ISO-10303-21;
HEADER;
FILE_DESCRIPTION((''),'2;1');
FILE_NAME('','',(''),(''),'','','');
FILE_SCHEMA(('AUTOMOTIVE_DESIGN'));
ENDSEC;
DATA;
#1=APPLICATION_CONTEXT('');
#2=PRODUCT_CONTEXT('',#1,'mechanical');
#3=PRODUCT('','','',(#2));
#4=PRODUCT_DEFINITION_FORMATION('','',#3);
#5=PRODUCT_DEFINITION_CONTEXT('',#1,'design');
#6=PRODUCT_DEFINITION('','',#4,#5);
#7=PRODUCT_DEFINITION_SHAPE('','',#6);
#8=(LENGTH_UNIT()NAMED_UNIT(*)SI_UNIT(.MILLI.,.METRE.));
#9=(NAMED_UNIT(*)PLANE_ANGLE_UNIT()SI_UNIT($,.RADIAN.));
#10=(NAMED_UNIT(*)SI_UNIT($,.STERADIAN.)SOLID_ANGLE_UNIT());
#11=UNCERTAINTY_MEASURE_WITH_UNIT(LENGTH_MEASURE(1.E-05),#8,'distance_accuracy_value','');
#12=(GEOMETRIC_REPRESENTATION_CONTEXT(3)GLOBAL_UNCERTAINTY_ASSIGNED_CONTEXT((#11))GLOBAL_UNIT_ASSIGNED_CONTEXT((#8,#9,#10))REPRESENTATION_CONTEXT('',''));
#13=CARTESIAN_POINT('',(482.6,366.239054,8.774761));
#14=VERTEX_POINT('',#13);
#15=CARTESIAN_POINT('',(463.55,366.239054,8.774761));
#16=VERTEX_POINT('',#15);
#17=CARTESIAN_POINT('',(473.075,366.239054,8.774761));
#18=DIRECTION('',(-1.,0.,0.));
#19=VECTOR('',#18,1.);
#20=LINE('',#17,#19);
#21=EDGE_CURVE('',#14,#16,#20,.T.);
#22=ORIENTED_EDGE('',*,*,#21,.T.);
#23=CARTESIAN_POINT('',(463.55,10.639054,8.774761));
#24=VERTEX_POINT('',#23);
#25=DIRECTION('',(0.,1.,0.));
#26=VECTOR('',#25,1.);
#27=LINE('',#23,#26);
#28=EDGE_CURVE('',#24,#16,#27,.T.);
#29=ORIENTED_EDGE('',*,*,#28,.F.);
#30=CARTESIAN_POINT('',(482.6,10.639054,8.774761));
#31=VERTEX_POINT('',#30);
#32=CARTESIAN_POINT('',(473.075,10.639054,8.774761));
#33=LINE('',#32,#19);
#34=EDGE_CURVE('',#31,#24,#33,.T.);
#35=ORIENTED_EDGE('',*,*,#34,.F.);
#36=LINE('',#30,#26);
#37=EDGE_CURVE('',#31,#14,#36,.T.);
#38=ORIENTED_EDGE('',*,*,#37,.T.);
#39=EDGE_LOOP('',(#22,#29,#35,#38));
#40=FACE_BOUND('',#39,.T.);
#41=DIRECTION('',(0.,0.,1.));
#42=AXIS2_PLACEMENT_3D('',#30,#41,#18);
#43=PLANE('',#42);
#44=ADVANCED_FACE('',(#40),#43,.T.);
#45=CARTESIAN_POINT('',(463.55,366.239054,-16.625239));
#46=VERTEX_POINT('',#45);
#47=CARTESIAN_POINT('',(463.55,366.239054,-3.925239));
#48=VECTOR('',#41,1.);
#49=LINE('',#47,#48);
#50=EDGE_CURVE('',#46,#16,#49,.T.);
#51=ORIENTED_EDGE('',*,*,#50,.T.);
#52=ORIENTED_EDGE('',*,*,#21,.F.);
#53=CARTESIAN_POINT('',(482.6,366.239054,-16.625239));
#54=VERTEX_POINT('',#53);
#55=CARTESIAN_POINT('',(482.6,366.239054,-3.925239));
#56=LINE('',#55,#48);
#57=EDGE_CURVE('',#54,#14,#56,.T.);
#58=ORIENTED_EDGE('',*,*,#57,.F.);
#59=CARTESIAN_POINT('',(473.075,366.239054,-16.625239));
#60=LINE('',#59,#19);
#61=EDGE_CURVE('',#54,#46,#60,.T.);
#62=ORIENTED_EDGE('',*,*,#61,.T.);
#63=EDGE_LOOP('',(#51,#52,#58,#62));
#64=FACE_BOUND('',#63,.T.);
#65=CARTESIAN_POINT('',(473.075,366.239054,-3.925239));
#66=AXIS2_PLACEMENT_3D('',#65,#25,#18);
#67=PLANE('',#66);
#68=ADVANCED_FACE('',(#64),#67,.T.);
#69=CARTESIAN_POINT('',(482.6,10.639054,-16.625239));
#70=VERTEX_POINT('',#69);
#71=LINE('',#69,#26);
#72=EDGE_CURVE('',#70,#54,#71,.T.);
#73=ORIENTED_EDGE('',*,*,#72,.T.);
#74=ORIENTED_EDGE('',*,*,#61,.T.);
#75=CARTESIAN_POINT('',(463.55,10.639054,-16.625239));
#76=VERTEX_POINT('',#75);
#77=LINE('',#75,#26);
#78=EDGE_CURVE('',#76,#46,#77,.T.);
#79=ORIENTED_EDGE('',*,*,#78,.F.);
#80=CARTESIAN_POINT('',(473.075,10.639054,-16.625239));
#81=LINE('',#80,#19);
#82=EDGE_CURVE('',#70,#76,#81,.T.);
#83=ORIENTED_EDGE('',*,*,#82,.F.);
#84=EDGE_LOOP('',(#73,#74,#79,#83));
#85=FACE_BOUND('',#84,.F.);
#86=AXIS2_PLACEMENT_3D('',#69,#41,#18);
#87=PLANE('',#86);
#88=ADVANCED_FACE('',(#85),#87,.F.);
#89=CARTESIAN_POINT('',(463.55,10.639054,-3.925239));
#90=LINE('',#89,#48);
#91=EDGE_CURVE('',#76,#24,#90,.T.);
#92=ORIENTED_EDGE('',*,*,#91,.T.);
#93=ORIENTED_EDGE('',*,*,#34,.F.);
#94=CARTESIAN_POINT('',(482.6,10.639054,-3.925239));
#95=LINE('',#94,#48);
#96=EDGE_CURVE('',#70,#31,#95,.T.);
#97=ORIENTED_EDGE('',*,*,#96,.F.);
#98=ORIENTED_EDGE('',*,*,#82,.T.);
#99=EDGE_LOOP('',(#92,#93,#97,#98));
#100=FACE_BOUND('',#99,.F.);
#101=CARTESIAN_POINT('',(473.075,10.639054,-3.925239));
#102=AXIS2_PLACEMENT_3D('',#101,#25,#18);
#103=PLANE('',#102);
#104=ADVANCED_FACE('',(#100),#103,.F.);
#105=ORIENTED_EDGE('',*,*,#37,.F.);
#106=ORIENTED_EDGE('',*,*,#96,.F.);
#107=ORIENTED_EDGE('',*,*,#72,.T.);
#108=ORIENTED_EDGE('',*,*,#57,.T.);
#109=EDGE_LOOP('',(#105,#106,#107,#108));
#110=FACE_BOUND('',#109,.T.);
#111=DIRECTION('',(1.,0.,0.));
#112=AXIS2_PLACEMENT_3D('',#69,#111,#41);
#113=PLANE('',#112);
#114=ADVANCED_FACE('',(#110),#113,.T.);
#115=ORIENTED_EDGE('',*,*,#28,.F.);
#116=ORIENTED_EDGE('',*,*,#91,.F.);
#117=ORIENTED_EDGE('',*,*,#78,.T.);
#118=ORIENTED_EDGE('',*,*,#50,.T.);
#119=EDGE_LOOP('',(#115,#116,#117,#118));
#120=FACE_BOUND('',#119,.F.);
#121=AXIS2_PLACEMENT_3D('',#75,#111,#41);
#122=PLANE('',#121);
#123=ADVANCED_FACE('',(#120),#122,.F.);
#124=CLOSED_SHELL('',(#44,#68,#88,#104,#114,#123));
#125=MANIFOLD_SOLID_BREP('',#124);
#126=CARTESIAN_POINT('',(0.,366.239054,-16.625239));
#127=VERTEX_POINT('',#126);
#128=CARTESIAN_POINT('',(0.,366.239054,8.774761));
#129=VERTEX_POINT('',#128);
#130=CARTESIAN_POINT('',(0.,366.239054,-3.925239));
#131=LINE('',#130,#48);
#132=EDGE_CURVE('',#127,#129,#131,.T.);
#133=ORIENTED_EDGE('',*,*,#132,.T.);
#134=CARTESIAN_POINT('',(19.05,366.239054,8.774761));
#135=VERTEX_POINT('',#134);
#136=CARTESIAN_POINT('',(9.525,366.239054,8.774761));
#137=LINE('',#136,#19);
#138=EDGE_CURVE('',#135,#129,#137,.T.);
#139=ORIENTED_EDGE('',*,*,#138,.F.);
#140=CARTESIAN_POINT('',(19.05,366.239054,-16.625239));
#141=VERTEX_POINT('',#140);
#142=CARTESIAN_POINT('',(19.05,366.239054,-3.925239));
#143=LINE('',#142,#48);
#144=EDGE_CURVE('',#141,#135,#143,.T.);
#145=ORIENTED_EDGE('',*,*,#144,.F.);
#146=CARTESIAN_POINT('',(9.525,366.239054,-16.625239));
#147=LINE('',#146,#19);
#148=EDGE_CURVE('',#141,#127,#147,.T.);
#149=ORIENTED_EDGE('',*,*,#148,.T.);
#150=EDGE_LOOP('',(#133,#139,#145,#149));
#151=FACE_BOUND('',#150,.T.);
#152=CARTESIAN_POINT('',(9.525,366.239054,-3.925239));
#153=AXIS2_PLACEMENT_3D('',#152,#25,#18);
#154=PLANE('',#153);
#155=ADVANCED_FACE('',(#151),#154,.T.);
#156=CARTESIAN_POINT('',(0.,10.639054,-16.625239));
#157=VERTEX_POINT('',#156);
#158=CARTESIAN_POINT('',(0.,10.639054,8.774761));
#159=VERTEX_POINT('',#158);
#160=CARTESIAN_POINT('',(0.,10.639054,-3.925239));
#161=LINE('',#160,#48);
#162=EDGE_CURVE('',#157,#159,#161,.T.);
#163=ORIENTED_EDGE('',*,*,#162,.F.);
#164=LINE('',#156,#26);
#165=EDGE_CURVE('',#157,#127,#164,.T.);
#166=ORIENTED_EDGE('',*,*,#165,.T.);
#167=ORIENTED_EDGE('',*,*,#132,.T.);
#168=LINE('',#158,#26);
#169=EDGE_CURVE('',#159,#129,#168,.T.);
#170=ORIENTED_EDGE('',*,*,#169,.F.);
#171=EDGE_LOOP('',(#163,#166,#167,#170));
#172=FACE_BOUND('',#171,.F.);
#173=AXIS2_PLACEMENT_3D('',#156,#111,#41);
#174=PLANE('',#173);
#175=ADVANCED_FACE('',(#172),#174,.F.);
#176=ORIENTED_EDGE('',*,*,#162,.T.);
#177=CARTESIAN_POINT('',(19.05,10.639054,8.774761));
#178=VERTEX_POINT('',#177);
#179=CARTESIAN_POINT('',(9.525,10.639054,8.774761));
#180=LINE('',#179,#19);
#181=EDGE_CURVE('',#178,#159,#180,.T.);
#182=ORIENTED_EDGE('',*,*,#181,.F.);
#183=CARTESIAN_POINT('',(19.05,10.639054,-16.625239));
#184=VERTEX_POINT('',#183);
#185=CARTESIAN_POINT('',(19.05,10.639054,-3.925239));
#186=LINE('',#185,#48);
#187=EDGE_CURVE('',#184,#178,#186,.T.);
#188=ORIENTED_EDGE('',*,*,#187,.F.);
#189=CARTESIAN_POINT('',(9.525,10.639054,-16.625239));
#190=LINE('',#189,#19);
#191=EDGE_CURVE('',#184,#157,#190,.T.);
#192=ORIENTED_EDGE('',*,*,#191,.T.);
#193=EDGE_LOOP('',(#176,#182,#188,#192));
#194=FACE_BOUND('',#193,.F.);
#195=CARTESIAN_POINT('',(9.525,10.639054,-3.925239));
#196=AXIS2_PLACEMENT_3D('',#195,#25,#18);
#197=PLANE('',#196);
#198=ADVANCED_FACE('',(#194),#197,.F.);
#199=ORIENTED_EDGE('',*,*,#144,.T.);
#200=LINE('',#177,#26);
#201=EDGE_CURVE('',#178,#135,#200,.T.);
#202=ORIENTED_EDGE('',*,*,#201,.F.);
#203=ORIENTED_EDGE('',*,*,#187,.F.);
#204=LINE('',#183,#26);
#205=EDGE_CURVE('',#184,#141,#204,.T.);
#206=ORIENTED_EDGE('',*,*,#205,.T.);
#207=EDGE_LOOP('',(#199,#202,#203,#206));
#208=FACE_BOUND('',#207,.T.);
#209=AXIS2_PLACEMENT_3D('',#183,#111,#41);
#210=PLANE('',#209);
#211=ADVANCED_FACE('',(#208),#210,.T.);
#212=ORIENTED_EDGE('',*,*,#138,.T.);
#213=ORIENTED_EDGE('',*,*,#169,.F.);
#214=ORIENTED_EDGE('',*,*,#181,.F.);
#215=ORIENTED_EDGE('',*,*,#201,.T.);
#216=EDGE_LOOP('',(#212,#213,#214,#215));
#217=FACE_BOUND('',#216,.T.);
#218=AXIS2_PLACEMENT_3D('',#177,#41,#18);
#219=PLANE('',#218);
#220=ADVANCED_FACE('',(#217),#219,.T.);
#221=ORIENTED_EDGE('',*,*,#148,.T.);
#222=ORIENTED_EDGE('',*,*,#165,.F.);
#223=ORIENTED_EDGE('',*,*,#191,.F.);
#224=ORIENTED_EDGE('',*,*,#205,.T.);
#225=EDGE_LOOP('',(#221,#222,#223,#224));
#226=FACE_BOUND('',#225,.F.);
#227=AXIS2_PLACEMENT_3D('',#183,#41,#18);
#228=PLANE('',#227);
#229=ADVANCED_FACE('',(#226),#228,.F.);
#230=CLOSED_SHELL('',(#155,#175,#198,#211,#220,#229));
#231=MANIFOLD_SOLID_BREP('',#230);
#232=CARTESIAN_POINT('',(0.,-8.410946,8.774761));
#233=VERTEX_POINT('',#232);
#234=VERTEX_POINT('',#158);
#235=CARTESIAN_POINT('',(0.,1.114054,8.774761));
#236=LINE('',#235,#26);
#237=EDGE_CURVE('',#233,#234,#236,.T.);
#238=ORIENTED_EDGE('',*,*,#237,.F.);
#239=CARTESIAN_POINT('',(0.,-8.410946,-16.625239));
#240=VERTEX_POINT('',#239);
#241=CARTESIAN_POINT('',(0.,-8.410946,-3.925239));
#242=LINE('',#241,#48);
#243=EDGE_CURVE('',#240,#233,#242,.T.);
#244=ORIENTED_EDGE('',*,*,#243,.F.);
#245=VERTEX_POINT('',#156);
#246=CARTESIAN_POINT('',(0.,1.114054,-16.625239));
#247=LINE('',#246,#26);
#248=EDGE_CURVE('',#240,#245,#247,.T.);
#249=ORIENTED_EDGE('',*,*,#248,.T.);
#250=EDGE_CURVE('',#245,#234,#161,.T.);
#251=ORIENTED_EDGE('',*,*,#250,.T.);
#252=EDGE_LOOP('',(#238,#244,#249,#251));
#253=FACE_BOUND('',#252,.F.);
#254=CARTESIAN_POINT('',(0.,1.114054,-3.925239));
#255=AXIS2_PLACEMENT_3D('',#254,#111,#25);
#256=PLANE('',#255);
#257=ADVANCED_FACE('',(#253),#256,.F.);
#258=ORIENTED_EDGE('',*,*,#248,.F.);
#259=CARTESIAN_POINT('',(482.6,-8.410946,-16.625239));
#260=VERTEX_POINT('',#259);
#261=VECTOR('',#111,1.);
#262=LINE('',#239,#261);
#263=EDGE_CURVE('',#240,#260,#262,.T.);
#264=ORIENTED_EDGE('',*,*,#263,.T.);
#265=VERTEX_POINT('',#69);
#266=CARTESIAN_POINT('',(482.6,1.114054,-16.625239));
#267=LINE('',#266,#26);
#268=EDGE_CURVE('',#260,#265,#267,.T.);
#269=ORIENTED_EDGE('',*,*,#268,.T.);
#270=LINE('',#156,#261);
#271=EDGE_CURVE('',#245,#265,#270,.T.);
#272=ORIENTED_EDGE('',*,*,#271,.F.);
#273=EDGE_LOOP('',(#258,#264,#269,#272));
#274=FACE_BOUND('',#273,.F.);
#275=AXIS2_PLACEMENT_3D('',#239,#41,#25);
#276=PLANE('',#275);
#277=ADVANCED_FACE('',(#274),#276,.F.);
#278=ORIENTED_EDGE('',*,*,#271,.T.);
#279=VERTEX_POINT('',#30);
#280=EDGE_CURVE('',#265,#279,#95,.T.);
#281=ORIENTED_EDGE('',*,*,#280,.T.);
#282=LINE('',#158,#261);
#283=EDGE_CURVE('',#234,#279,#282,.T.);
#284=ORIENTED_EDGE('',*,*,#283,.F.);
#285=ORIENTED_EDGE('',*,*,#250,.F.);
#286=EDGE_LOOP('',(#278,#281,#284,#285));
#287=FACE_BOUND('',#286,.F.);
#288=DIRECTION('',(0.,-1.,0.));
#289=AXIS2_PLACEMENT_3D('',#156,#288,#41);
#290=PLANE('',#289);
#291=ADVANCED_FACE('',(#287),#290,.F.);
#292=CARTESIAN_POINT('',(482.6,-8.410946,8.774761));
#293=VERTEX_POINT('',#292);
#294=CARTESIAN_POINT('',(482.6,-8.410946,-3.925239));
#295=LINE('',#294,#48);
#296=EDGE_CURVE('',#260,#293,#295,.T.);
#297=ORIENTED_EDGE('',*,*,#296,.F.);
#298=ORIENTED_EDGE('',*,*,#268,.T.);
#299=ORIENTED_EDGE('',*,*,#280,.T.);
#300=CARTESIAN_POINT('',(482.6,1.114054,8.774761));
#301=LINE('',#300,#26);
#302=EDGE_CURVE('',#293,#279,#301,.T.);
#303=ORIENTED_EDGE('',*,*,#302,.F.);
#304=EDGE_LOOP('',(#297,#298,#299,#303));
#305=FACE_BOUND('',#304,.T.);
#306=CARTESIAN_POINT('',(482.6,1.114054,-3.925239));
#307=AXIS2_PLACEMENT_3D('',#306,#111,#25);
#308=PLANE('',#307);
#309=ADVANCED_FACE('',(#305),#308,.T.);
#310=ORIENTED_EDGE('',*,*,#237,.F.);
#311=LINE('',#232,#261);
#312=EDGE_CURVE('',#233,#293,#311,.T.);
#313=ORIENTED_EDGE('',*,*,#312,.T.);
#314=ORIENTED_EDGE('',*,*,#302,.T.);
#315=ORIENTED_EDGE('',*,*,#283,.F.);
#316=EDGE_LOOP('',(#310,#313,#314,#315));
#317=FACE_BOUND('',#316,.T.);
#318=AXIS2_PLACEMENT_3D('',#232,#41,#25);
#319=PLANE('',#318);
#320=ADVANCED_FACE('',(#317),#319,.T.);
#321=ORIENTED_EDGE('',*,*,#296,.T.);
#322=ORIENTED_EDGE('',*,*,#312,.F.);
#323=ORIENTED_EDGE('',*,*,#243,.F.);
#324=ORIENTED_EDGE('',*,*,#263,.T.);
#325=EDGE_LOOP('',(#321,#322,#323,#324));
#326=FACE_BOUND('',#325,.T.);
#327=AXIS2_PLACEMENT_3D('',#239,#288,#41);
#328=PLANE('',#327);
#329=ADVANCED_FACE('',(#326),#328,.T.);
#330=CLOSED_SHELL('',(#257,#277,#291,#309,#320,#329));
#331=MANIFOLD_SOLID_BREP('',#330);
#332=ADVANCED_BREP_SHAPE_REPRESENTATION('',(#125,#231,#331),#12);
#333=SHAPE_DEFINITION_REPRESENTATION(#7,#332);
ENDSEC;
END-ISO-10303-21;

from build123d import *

# Parameters (mm, degrees)
F0_W     = 19.05
F0_H     = 25.4
F1_DEPTH = 482.6
F2_W     = 19.05
F2_H     = 25.4
F3_DEPTH = 355.6
F4_W     = 19.05
F4_H     = 25.4
F5_DEPTH = 355.6


with BuildPart() as f1:
    # F0 (on Right) → F1 (new body)
    with BuildSketch(Plane.YZ):
        with Locations((1.114054, -3.925239)):
            Rectangle(F0_W, F0_H)
    extrude(amount=F1_DEPTH)


with BuildPart() as f3:
    # F2 (on face) → F3 (new body)
    with BuildSketch(Plane(origin=(0, 10.639054, 0), x_dir=(-1, 0, 0), z_dir=(0, 1, 0))):
        with Locations((-9.525, -3.925239)):
            Rectangle(F2_W, F2_H)
    extrude(amount=F3_DEPTH)


with BuildPart() as f5:
    # F4 (on face) → F5 (new body)
    with BuildSketch(Plane(origin=(0, 10.639054, 0), x_dir=(-1, 0, 0), z_dir=(0, 1, 0))):
        with Locations((-473.075, -3.925239)):
            Rectangle(F4_W, F4_H)
    extrude(amount=F5_DEPTH)


solid = Compound([f1.part, f3.part, f5.part])
